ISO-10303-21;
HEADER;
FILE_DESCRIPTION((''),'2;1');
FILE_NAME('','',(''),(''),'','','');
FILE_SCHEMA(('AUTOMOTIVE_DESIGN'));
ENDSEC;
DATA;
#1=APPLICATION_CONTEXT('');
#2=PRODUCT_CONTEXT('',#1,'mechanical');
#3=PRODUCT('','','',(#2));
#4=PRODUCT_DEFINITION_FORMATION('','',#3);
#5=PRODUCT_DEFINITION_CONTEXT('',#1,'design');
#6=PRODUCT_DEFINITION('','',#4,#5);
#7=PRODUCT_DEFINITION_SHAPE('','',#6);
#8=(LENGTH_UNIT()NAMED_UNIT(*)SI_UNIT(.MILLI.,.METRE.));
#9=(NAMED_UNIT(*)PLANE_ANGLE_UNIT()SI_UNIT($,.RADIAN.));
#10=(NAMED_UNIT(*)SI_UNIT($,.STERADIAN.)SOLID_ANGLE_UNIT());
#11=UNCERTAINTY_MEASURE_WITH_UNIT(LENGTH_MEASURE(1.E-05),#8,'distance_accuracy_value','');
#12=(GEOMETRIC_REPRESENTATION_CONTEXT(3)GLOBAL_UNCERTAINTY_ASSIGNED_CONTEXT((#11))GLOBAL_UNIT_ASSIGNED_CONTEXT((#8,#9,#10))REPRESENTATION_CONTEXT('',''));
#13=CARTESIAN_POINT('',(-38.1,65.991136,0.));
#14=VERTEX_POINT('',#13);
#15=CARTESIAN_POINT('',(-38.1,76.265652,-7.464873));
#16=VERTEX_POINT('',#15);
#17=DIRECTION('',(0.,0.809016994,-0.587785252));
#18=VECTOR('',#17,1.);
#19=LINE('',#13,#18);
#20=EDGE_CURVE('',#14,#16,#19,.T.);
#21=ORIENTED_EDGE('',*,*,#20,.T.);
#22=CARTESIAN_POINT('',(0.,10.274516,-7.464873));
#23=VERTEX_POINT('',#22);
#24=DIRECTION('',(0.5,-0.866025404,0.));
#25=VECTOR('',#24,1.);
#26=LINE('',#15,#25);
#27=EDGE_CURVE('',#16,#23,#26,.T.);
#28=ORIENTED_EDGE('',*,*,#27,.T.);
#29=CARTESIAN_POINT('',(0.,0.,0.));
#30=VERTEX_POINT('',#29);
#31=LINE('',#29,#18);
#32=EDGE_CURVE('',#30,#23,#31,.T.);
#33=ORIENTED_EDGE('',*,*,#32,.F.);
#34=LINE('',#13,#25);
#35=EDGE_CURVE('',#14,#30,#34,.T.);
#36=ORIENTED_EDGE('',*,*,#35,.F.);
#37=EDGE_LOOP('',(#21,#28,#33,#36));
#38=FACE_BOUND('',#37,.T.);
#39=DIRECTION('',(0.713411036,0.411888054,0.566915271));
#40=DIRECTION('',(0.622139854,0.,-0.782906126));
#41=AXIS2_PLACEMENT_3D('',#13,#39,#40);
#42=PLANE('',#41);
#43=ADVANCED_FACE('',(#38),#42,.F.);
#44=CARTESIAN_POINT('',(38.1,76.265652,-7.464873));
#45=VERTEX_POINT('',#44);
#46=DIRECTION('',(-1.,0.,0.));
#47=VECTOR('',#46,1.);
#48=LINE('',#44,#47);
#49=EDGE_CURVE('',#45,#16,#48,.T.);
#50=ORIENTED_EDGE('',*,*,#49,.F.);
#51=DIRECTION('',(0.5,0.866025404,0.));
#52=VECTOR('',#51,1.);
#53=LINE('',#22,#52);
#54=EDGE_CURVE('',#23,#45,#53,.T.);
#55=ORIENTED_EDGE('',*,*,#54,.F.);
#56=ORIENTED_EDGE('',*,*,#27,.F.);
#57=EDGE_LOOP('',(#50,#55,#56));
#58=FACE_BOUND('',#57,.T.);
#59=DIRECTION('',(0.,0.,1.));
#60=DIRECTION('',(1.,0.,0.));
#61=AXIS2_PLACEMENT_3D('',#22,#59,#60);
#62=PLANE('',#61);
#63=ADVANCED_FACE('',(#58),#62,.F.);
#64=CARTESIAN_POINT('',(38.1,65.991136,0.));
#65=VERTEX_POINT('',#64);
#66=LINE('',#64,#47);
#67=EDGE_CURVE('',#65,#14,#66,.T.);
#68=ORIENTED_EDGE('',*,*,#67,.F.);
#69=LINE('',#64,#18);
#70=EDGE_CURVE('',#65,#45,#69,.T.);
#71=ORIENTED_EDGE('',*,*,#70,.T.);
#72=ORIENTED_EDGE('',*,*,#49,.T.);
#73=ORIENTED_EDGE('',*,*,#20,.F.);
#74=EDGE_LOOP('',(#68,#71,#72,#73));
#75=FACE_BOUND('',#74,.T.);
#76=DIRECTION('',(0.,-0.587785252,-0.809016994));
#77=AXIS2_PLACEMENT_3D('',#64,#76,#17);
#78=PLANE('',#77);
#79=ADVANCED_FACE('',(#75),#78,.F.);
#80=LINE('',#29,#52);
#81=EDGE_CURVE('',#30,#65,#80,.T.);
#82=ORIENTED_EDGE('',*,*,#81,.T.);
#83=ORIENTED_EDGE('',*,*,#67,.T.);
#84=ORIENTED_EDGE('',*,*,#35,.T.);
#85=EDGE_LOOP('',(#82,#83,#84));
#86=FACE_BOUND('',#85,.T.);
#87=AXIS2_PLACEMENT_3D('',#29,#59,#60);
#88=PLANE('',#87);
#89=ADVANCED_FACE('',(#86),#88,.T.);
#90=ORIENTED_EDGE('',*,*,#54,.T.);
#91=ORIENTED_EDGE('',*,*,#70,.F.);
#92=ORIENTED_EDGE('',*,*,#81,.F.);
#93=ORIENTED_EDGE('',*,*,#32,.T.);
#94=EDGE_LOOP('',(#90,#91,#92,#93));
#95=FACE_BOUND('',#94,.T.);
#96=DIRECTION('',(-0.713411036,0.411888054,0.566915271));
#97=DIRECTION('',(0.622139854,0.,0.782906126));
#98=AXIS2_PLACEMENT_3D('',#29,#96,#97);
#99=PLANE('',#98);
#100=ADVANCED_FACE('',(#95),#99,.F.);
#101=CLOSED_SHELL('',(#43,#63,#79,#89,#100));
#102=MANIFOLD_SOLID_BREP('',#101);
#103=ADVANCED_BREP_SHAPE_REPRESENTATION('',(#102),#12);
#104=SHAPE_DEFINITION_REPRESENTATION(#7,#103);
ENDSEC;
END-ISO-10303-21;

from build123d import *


with BuildPart() as part:
    # Sweep4: sweep along a path in Sketch2
    with BuildLine(Plane(origin=(0, 0, 0), x_dir=(0, 0, -1), z_dir=(1, 0, 0))) as sweep4_path:
        Line((0, 57.570572628), (7.464872704, 67.845088456))
    # Sketch1 → Sweep4 (sweep)
    with BuildSketch(Plane.XY):
        Polygon((0, 0), (38.1, 65.991135768), (-38.1, 65.991135768), align=None)
    sweep(path=sweep4_path.line)


solid = part.part
